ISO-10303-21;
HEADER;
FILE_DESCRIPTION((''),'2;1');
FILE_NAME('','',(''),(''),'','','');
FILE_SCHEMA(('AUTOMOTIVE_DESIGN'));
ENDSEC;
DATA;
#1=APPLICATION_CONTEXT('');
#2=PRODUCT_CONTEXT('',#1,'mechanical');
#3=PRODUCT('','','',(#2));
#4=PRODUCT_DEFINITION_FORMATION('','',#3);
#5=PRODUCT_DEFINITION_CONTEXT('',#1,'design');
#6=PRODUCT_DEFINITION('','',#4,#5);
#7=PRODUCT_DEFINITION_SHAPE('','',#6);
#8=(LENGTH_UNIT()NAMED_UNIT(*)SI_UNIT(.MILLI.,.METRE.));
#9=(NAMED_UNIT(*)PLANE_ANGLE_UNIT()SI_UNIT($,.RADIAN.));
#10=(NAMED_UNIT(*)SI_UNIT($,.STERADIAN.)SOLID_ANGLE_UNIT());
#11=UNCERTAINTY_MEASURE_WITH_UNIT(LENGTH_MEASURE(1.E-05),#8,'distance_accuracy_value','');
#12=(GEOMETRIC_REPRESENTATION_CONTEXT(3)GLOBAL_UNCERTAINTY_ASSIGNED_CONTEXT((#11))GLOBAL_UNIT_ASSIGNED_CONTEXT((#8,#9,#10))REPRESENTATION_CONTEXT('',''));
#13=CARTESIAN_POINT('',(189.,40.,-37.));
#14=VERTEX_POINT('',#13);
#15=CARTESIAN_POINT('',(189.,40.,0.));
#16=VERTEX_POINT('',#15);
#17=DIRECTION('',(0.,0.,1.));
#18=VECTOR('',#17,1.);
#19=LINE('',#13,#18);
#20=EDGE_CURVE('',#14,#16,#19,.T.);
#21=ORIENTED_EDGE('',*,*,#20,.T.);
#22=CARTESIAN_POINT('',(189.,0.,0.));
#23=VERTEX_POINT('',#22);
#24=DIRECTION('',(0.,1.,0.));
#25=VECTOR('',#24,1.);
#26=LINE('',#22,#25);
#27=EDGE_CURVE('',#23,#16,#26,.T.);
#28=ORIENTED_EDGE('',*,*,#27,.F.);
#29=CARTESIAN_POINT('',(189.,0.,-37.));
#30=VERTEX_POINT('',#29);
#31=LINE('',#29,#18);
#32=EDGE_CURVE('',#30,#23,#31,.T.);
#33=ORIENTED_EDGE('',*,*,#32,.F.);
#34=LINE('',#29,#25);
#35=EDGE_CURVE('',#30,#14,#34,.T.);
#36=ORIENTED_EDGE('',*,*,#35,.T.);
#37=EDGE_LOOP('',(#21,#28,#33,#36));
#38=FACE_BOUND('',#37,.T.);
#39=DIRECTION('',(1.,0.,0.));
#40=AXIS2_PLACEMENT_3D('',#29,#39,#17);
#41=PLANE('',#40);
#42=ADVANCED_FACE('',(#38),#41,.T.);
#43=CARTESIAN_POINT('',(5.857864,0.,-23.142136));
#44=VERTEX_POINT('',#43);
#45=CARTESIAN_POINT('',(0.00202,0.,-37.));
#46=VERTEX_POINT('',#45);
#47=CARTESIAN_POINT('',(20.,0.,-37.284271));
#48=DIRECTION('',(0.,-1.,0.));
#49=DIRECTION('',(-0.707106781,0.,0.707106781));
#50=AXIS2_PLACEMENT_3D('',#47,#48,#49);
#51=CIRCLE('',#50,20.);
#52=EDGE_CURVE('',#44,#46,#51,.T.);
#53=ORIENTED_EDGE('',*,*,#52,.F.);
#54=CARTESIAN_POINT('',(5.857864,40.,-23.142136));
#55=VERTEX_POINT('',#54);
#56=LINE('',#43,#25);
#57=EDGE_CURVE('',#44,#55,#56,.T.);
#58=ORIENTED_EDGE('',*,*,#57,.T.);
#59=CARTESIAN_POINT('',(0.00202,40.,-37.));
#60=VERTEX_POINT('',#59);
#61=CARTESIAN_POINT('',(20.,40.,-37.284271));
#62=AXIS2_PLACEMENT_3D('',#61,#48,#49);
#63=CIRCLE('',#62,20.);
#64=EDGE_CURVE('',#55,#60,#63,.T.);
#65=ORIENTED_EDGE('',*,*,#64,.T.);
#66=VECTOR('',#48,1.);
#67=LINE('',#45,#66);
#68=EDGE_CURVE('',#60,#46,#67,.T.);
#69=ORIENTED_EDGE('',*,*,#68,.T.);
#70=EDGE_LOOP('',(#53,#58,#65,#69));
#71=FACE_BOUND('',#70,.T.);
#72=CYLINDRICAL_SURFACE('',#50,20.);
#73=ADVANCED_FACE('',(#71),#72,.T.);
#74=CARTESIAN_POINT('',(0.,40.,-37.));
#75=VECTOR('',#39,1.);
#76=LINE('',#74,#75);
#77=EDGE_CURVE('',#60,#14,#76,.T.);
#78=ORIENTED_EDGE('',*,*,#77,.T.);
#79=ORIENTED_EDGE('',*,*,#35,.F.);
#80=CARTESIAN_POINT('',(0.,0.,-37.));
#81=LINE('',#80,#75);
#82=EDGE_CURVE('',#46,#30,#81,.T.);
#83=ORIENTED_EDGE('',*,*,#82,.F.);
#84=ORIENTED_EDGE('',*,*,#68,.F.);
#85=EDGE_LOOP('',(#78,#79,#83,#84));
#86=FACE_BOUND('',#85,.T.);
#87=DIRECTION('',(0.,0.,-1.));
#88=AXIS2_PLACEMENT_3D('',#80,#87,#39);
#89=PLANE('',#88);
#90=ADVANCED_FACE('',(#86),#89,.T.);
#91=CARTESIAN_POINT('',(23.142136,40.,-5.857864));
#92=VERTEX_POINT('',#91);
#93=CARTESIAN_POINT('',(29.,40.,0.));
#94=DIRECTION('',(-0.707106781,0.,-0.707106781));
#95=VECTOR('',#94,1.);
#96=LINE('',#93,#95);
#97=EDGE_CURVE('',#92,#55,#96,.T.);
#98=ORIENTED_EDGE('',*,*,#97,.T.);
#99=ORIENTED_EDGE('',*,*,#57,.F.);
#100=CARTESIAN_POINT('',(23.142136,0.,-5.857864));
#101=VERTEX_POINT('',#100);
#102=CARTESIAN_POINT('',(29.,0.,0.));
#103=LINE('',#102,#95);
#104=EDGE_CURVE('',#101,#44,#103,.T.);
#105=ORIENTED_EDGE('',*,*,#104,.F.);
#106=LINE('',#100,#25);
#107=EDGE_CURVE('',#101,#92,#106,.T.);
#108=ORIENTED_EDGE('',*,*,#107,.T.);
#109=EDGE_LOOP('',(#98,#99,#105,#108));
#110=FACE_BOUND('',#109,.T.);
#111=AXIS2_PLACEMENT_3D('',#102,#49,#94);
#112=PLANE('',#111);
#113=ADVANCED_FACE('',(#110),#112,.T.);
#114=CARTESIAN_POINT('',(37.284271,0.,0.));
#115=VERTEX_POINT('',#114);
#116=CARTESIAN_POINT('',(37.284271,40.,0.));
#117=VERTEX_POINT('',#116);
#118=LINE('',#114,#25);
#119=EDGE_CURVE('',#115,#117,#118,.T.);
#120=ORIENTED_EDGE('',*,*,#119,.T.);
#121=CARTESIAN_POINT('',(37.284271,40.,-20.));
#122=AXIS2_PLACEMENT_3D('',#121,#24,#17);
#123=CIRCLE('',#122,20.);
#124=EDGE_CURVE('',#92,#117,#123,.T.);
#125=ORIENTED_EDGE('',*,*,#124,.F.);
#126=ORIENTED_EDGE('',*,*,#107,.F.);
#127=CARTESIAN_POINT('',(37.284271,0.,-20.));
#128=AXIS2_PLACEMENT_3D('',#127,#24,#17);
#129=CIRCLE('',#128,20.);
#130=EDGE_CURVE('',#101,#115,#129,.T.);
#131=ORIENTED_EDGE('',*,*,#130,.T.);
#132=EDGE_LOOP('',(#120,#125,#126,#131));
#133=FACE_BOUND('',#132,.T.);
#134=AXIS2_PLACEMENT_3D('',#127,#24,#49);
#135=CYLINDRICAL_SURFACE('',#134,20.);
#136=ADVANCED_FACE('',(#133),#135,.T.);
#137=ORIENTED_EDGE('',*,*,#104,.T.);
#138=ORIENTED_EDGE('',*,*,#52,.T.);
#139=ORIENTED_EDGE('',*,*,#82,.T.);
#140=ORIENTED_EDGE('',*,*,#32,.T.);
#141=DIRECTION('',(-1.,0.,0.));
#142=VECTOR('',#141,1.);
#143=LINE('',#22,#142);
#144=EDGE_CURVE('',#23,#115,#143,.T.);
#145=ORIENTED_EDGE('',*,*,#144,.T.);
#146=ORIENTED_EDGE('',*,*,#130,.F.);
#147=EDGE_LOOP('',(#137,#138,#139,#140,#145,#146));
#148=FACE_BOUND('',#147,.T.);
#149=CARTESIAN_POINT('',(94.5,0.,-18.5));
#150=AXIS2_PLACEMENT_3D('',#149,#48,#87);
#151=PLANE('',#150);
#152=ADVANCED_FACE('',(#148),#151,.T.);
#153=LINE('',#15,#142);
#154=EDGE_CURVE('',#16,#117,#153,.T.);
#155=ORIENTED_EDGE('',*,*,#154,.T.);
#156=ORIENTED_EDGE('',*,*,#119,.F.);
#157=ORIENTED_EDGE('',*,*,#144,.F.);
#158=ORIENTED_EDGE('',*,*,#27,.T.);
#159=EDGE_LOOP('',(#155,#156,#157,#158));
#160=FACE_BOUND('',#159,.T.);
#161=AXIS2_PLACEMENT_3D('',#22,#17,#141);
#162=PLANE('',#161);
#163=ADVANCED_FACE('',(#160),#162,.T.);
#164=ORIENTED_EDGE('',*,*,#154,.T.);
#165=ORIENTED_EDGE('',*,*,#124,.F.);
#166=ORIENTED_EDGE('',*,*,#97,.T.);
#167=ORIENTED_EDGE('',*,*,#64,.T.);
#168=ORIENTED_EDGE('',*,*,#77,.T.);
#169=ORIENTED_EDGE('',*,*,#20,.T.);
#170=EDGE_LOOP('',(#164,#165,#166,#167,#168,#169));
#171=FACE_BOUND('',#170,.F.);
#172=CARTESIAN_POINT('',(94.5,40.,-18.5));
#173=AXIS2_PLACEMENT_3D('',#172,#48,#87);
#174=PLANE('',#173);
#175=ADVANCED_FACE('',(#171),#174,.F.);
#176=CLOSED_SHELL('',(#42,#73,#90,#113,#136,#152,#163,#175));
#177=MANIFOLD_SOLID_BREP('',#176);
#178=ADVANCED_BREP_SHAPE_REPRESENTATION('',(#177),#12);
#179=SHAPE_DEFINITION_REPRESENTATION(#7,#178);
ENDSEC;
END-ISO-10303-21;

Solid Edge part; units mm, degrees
sketch "Sketch1" plane through (0, 0, 0) normal (0, -1, 0) x (1, 0, 0)
  line L0 (0, -37) -> (189, -37)
  line L1 (189, -37) -> (189, 0)
  line L2 (189, 0) -> (0, 0)
  line L3 (0, 0) -> (0, -37)
extrude "Protrusion1" add sketch "Sketch1" against normal blind 40
sketch "Sketch2" plane through (94.5, 0, -18.5) normal (0, -1, 0) x (1, 0, 0)
  line L0 (-65.5, 18.5) -> (-94.5, -10.5)
  line L1 (-94.5, -10.5) -> (-94.5, 18.5)
  line L2 (-94.5, 18.5) -> (-65.5, 18.5)
extrude "ExtrudedCutout_1" cut sketch "Sketch2" against normal blind 40
fillet "Round_1" radius 20 2 edges at (29, 20, 0) (0, 20, -29)
